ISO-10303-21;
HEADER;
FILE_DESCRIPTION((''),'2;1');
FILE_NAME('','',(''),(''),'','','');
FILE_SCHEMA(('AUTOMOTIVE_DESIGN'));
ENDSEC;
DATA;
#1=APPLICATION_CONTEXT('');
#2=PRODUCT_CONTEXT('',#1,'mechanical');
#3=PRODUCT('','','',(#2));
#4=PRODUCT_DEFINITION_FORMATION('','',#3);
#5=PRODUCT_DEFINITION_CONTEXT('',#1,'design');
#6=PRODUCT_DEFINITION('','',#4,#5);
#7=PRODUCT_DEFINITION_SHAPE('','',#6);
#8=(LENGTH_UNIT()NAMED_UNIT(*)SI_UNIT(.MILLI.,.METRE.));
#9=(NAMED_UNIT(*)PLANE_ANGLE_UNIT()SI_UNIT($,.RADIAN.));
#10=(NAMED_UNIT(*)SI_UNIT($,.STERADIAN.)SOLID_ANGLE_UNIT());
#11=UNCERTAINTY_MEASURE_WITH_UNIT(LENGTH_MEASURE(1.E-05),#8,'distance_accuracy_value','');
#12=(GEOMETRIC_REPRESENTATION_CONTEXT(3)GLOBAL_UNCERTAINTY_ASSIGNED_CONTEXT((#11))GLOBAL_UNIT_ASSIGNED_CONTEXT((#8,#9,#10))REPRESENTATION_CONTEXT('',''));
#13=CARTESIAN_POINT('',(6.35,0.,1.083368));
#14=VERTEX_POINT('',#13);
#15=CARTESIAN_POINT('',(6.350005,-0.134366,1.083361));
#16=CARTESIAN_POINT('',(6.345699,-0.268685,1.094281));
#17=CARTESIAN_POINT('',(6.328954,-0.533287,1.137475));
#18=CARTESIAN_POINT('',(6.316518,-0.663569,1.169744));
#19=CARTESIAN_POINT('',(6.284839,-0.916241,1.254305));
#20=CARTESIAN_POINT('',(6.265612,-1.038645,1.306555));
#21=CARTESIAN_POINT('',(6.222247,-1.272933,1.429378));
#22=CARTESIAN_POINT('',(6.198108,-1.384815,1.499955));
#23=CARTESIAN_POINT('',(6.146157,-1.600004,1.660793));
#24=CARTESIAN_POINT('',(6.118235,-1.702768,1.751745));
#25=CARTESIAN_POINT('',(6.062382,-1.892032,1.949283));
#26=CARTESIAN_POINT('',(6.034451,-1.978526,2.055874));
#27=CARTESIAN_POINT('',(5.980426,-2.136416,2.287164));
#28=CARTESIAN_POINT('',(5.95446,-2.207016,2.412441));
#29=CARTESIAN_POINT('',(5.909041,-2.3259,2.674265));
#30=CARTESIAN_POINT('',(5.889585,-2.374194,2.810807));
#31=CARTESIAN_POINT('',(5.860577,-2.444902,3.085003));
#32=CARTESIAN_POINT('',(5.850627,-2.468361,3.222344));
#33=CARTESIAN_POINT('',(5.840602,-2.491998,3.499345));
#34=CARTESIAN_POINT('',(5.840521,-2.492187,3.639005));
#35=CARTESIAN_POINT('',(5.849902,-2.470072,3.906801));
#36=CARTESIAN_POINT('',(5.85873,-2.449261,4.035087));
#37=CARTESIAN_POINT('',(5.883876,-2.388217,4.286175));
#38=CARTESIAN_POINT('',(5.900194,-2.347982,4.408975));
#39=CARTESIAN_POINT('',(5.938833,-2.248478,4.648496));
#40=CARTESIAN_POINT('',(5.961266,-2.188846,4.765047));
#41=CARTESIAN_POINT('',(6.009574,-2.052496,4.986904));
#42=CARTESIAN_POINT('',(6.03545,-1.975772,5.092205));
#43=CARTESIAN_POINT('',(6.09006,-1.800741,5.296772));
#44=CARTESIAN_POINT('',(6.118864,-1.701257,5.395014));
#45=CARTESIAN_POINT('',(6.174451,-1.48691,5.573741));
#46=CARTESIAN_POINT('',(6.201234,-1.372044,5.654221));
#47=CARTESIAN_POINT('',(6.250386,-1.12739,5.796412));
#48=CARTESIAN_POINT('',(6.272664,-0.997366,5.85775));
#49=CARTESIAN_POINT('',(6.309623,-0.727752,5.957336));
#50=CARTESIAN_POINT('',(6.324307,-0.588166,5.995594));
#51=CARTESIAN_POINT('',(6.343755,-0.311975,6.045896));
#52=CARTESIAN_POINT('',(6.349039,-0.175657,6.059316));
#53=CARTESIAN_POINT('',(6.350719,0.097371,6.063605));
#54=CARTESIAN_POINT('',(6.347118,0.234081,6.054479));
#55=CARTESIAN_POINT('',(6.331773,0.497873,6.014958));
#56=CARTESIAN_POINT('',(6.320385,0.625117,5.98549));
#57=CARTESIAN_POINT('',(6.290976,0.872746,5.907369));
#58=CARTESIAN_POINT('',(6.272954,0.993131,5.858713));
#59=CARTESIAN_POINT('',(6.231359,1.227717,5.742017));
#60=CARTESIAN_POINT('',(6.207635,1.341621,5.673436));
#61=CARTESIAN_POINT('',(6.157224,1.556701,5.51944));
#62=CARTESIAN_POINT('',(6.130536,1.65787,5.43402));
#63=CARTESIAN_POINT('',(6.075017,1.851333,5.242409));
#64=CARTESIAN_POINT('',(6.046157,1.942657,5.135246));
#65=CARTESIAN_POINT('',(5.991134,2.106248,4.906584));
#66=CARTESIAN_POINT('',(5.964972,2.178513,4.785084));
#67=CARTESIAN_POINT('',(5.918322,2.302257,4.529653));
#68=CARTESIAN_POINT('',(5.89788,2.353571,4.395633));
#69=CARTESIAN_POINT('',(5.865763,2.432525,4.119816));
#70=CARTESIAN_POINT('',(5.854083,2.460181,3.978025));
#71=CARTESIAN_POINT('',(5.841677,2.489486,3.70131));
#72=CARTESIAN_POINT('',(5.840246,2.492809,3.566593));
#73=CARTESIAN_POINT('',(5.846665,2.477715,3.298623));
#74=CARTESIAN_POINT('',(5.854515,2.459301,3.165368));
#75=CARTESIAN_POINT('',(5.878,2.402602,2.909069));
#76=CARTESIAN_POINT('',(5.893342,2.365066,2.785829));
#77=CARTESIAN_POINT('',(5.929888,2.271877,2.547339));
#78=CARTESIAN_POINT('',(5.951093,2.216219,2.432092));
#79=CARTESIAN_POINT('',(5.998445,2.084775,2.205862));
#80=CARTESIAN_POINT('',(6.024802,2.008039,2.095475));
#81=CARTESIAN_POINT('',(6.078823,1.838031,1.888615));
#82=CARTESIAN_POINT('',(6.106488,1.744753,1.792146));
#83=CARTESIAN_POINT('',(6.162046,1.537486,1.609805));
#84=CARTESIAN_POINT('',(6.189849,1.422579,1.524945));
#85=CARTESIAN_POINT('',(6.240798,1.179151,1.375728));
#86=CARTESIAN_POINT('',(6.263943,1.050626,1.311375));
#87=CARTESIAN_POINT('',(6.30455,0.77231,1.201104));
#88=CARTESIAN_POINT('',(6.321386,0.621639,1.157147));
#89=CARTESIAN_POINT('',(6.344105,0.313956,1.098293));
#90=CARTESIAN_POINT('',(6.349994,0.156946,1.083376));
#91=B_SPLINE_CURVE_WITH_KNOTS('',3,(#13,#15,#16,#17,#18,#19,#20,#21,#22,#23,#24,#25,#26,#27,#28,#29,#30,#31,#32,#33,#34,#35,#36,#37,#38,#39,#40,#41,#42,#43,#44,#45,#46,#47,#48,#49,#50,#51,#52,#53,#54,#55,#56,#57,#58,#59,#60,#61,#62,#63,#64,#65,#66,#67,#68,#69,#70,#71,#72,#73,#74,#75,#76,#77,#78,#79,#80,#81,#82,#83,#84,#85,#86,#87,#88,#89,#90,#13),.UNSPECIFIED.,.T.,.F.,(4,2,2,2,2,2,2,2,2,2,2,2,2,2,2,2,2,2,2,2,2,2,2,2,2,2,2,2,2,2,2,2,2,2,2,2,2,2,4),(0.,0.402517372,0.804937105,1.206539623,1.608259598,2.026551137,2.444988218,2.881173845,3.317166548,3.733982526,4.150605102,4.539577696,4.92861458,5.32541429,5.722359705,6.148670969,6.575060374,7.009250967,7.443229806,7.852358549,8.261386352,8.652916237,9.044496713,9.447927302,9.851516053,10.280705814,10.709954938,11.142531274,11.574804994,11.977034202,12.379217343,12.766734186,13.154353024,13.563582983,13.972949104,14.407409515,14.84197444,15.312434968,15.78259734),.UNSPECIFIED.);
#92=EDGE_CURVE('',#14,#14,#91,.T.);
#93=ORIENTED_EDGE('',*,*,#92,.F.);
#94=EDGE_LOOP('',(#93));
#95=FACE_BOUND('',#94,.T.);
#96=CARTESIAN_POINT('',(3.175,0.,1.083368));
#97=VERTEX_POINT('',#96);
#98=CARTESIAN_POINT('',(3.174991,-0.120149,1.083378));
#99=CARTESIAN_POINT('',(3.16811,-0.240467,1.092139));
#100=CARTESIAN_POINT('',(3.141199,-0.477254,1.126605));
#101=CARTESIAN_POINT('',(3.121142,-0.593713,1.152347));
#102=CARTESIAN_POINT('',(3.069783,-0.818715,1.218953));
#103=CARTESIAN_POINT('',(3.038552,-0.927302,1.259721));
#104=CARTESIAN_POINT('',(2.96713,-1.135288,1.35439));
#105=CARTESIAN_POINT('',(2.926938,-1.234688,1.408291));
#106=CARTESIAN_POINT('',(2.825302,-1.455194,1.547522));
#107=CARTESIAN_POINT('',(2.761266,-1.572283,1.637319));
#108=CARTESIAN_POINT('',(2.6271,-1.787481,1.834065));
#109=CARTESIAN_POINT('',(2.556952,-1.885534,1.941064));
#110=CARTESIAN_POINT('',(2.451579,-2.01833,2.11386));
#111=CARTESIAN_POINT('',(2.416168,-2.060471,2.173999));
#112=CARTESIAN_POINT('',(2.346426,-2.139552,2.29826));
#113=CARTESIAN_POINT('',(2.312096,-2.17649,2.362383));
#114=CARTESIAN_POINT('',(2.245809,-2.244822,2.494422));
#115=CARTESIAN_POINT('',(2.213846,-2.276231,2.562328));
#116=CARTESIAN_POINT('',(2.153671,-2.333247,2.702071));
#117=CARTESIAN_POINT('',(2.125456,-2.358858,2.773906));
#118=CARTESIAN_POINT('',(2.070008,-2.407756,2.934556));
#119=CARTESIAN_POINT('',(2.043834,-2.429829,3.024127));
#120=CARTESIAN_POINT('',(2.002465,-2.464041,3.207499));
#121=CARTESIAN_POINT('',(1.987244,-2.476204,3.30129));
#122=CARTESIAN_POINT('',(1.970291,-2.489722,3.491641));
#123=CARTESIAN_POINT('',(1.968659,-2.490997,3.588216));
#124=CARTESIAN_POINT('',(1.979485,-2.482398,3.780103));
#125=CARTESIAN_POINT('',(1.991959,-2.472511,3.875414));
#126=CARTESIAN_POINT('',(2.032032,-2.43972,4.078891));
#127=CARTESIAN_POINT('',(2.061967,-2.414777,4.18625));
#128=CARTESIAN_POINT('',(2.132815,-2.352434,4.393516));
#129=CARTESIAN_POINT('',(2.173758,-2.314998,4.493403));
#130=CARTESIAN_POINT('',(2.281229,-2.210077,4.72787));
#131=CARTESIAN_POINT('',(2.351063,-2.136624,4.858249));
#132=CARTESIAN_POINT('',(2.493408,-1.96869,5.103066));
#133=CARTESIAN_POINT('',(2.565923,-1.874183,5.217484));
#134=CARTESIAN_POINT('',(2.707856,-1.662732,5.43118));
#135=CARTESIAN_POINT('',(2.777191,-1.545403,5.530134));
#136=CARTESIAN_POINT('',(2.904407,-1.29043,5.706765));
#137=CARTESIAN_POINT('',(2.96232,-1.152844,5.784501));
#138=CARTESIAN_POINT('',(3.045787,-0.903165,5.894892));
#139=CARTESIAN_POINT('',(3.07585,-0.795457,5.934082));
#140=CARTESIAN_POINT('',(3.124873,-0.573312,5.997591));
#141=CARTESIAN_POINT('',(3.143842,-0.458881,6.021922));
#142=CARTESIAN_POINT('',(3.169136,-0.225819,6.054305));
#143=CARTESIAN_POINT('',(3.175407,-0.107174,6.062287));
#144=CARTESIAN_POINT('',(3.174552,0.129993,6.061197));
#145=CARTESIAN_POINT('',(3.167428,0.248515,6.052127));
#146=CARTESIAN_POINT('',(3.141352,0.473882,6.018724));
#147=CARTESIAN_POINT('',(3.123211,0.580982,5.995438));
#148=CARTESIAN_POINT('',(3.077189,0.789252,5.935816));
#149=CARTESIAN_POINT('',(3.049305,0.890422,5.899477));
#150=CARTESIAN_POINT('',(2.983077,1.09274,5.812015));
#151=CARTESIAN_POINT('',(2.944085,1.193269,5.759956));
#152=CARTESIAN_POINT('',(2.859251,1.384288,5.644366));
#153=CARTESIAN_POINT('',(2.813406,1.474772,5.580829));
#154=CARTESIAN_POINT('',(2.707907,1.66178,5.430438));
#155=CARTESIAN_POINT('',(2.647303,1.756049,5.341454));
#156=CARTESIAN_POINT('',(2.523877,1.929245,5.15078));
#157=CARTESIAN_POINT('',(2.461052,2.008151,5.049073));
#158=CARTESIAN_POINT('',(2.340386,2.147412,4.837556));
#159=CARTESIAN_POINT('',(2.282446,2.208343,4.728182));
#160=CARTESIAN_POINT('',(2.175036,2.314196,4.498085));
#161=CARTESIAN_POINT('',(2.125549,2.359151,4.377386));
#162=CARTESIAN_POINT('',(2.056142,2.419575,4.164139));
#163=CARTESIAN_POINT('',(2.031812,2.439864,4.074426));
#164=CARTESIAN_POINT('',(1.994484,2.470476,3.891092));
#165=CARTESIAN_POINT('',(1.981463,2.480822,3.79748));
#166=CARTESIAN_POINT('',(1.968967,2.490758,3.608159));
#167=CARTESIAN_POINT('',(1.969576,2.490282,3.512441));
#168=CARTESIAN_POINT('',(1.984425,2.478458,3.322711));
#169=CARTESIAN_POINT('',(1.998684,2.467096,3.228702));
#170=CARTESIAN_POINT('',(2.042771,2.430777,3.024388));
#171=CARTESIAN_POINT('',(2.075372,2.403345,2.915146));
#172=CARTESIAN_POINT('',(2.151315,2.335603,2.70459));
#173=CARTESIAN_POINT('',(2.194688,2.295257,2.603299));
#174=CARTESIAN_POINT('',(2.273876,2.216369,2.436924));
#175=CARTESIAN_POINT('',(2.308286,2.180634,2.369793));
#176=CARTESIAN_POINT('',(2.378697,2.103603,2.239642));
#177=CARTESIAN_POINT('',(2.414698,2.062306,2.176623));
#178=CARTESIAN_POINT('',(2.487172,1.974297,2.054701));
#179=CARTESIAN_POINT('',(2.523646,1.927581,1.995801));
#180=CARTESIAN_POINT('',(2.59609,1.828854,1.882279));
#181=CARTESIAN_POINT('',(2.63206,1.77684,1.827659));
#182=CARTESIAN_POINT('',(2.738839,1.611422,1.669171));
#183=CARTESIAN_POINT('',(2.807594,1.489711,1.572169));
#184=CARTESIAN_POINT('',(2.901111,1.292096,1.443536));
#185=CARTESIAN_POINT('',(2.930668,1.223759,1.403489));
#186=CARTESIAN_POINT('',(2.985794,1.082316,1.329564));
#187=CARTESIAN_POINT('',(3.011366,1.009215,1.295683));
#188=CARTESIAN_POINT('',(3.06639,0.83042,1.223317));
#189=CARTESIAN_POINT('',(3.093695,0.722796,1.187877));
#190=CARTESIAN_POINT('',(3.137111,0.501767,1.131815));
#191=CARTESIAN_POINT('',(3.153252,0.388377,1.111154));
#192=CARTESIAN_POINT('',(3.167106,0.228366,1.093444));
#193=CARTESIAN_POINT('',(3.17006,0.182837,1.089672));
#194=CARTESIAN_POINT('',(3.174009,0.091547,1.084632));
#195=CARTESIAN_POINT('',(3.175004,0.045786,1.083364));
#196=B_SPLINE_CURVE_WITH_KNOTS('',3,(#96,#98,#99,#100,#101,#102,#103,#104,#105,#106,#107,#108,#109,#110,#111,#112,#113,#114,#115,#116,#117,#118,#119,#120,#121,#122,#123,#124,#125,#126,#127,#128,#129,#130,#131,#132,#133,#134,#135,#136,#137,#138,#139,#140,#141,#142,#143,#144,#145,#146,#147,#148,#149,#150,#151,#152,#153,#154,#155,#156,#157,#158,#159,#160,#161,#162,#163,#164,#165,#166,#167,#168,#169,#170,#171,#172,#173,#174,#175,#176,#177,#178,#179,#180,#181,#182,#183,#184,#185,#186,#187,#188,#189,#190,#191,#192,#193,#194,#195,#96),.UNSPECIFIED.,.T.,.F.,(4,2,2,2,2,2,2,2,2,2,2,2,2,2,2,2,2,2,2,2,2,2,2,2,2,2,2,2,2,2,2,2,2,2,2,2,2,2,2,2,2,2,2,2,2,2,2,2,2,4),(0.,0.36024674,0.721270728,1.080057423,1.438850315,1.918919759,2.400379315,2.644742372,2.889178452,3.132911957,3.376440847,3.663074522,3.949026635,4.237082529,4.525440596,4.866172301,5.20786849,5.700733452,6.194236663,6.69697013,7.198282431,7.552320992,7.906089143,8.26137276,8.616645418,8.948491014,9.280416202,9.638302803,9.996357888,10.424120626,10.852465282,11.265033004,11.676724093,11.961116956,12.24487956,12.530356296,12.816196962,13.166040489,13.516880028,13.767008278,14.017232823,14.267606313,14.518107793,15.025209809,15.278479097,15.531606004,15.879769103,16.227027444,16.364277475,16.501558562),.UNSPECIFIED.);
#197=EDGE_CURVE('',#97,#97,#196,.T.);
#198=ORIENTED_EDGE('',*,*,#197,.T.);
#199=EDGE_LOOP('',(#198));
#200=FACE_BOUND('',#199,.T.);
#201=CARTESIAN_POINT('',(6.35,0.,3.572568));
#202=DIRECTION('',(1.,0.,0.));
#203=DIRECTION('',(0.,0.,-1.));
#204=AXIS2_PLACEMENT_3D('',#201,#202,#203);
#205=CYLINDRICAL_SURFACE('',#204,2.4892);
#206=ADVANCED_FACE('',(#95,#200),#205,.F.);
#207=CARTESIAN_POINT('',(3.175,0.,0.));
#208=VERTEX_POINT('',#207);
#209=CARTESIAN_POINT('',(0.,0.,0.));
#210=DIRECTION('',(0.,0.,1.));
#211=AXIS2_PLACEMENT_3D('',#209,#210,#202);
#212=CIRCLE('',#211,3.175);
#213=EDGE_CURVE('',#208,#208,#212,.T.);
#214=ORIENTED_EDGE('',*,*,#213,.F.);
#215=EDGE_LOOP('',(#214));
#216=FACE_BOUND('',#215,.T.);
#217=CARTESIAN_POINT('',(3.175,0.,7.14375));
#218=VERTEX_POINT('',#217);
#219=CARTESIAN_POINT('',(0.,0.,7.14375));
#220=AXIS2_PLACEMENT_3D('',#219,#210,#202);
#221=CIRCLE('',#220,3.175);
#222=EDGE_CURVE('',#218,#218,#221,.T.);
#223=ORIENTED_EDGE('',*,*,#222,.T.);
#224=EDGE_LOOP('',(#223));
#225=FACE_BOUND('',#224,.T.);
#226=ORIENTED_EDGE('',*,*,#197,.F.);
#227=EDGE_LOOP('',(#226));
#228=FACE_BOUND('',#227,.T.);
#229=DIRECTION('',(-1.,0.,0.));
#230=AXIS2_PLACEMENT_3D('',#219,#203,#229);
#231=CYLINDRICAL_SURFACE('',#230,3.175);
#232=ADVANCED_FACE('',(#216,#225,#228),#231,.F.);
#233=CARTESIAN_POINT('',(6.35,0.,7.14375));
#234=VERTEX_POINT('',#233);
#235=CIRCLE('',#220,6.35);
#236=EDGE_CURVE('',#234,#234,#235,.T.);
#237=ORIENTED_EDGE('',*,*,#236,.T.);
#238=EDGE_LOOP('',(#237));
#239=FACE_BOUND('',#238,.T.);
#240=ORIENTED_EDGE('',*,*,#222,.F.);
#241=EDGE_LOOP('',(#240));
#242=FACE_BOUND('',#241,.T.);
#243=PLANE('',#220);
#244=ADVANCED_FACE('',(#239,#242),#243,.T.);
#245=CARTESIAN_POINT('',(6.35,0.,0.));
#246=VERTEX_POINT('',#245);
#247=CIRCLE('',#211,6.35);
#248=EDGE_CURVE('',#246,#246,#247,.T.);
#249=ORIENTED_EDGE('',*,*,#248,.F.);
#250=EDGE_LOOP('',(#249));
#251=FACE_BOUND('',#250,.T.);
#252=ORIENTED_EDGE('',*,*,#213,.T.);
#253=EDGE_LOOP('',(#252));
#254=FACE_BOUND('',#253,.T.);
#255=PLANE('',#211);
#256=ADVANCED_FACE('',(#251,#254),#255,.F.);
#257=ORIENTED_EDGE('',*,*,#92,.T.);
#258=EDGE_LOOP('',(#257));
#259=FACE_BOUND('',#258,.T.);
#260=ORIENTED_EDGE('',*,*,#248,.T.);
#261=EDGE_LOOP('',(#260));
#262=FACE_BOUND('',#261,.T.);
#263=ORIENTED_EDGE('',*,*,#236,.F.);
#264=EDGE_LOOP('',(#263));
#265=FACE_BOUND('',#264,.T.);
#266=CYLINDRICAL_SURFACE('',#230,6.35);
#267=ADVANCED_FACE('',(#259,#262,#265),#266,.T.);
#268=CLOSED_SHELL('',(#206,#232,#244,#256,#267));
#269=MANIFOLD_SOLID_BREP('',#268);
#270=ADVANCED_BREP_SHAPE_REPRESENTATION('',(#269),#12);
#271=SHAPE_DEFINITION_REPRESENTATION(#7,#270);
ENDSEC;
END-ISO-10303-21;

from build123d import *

# Parameters (mm, degrees)
SKETCH1_R                       = 6.35
SKETCH1_R_2                     = 3.175
EXTRUDE1_DEPTH                  = 7.14375
F_9_0_196_DIAMETER_HOLE2_REACH  = 17.895
F_9_0_196_DIAMETER_HOLE2_BORE_R = 2.4892


with BuildPart() as part:
    # Sketch1 → Extrude1 (new body)
    with BuildSketch(Plane.XY):
        Circle(SKETCH1_R)
        Circle(SKETCH1_R_2, mode=Mode.SUBTRACT)
    extrude(amount=EXTRUDE1_DEPTH)

    # #9 (0.196) Diameter Hole2 bore → #9 (0.196) Diameter Hole2 (cut, up to next)
    with BuildSketch(Plane(origin=(6.35, 0, 0), x_dir=(0, 0, -1), z_dir=(1, 0, 0)), mode=Mode.PRIVATE) as f_9_0_196_diameter_hole2_sk1:
        with Locations((-3.572568118, 0)):
            Circle(F_9_0_196_DIAMETER_HOLE2_BORE_R)
    f_9_0_196_diameter_hole2_tool1 = extrude(f_9_0_196_diameter_hole2_sk1.sketch, amount=-F_9_0_196_DIAMETER_HOLE2_REACH, mode=Mode.PRIVATE) & part.part
    add(f_9_0_196_diameter_hole2_tool1.solids().sort_by_distance((6.35, 0, 3.572568))[0], mode=Mode.SUBTRACT)


solid = part.part
